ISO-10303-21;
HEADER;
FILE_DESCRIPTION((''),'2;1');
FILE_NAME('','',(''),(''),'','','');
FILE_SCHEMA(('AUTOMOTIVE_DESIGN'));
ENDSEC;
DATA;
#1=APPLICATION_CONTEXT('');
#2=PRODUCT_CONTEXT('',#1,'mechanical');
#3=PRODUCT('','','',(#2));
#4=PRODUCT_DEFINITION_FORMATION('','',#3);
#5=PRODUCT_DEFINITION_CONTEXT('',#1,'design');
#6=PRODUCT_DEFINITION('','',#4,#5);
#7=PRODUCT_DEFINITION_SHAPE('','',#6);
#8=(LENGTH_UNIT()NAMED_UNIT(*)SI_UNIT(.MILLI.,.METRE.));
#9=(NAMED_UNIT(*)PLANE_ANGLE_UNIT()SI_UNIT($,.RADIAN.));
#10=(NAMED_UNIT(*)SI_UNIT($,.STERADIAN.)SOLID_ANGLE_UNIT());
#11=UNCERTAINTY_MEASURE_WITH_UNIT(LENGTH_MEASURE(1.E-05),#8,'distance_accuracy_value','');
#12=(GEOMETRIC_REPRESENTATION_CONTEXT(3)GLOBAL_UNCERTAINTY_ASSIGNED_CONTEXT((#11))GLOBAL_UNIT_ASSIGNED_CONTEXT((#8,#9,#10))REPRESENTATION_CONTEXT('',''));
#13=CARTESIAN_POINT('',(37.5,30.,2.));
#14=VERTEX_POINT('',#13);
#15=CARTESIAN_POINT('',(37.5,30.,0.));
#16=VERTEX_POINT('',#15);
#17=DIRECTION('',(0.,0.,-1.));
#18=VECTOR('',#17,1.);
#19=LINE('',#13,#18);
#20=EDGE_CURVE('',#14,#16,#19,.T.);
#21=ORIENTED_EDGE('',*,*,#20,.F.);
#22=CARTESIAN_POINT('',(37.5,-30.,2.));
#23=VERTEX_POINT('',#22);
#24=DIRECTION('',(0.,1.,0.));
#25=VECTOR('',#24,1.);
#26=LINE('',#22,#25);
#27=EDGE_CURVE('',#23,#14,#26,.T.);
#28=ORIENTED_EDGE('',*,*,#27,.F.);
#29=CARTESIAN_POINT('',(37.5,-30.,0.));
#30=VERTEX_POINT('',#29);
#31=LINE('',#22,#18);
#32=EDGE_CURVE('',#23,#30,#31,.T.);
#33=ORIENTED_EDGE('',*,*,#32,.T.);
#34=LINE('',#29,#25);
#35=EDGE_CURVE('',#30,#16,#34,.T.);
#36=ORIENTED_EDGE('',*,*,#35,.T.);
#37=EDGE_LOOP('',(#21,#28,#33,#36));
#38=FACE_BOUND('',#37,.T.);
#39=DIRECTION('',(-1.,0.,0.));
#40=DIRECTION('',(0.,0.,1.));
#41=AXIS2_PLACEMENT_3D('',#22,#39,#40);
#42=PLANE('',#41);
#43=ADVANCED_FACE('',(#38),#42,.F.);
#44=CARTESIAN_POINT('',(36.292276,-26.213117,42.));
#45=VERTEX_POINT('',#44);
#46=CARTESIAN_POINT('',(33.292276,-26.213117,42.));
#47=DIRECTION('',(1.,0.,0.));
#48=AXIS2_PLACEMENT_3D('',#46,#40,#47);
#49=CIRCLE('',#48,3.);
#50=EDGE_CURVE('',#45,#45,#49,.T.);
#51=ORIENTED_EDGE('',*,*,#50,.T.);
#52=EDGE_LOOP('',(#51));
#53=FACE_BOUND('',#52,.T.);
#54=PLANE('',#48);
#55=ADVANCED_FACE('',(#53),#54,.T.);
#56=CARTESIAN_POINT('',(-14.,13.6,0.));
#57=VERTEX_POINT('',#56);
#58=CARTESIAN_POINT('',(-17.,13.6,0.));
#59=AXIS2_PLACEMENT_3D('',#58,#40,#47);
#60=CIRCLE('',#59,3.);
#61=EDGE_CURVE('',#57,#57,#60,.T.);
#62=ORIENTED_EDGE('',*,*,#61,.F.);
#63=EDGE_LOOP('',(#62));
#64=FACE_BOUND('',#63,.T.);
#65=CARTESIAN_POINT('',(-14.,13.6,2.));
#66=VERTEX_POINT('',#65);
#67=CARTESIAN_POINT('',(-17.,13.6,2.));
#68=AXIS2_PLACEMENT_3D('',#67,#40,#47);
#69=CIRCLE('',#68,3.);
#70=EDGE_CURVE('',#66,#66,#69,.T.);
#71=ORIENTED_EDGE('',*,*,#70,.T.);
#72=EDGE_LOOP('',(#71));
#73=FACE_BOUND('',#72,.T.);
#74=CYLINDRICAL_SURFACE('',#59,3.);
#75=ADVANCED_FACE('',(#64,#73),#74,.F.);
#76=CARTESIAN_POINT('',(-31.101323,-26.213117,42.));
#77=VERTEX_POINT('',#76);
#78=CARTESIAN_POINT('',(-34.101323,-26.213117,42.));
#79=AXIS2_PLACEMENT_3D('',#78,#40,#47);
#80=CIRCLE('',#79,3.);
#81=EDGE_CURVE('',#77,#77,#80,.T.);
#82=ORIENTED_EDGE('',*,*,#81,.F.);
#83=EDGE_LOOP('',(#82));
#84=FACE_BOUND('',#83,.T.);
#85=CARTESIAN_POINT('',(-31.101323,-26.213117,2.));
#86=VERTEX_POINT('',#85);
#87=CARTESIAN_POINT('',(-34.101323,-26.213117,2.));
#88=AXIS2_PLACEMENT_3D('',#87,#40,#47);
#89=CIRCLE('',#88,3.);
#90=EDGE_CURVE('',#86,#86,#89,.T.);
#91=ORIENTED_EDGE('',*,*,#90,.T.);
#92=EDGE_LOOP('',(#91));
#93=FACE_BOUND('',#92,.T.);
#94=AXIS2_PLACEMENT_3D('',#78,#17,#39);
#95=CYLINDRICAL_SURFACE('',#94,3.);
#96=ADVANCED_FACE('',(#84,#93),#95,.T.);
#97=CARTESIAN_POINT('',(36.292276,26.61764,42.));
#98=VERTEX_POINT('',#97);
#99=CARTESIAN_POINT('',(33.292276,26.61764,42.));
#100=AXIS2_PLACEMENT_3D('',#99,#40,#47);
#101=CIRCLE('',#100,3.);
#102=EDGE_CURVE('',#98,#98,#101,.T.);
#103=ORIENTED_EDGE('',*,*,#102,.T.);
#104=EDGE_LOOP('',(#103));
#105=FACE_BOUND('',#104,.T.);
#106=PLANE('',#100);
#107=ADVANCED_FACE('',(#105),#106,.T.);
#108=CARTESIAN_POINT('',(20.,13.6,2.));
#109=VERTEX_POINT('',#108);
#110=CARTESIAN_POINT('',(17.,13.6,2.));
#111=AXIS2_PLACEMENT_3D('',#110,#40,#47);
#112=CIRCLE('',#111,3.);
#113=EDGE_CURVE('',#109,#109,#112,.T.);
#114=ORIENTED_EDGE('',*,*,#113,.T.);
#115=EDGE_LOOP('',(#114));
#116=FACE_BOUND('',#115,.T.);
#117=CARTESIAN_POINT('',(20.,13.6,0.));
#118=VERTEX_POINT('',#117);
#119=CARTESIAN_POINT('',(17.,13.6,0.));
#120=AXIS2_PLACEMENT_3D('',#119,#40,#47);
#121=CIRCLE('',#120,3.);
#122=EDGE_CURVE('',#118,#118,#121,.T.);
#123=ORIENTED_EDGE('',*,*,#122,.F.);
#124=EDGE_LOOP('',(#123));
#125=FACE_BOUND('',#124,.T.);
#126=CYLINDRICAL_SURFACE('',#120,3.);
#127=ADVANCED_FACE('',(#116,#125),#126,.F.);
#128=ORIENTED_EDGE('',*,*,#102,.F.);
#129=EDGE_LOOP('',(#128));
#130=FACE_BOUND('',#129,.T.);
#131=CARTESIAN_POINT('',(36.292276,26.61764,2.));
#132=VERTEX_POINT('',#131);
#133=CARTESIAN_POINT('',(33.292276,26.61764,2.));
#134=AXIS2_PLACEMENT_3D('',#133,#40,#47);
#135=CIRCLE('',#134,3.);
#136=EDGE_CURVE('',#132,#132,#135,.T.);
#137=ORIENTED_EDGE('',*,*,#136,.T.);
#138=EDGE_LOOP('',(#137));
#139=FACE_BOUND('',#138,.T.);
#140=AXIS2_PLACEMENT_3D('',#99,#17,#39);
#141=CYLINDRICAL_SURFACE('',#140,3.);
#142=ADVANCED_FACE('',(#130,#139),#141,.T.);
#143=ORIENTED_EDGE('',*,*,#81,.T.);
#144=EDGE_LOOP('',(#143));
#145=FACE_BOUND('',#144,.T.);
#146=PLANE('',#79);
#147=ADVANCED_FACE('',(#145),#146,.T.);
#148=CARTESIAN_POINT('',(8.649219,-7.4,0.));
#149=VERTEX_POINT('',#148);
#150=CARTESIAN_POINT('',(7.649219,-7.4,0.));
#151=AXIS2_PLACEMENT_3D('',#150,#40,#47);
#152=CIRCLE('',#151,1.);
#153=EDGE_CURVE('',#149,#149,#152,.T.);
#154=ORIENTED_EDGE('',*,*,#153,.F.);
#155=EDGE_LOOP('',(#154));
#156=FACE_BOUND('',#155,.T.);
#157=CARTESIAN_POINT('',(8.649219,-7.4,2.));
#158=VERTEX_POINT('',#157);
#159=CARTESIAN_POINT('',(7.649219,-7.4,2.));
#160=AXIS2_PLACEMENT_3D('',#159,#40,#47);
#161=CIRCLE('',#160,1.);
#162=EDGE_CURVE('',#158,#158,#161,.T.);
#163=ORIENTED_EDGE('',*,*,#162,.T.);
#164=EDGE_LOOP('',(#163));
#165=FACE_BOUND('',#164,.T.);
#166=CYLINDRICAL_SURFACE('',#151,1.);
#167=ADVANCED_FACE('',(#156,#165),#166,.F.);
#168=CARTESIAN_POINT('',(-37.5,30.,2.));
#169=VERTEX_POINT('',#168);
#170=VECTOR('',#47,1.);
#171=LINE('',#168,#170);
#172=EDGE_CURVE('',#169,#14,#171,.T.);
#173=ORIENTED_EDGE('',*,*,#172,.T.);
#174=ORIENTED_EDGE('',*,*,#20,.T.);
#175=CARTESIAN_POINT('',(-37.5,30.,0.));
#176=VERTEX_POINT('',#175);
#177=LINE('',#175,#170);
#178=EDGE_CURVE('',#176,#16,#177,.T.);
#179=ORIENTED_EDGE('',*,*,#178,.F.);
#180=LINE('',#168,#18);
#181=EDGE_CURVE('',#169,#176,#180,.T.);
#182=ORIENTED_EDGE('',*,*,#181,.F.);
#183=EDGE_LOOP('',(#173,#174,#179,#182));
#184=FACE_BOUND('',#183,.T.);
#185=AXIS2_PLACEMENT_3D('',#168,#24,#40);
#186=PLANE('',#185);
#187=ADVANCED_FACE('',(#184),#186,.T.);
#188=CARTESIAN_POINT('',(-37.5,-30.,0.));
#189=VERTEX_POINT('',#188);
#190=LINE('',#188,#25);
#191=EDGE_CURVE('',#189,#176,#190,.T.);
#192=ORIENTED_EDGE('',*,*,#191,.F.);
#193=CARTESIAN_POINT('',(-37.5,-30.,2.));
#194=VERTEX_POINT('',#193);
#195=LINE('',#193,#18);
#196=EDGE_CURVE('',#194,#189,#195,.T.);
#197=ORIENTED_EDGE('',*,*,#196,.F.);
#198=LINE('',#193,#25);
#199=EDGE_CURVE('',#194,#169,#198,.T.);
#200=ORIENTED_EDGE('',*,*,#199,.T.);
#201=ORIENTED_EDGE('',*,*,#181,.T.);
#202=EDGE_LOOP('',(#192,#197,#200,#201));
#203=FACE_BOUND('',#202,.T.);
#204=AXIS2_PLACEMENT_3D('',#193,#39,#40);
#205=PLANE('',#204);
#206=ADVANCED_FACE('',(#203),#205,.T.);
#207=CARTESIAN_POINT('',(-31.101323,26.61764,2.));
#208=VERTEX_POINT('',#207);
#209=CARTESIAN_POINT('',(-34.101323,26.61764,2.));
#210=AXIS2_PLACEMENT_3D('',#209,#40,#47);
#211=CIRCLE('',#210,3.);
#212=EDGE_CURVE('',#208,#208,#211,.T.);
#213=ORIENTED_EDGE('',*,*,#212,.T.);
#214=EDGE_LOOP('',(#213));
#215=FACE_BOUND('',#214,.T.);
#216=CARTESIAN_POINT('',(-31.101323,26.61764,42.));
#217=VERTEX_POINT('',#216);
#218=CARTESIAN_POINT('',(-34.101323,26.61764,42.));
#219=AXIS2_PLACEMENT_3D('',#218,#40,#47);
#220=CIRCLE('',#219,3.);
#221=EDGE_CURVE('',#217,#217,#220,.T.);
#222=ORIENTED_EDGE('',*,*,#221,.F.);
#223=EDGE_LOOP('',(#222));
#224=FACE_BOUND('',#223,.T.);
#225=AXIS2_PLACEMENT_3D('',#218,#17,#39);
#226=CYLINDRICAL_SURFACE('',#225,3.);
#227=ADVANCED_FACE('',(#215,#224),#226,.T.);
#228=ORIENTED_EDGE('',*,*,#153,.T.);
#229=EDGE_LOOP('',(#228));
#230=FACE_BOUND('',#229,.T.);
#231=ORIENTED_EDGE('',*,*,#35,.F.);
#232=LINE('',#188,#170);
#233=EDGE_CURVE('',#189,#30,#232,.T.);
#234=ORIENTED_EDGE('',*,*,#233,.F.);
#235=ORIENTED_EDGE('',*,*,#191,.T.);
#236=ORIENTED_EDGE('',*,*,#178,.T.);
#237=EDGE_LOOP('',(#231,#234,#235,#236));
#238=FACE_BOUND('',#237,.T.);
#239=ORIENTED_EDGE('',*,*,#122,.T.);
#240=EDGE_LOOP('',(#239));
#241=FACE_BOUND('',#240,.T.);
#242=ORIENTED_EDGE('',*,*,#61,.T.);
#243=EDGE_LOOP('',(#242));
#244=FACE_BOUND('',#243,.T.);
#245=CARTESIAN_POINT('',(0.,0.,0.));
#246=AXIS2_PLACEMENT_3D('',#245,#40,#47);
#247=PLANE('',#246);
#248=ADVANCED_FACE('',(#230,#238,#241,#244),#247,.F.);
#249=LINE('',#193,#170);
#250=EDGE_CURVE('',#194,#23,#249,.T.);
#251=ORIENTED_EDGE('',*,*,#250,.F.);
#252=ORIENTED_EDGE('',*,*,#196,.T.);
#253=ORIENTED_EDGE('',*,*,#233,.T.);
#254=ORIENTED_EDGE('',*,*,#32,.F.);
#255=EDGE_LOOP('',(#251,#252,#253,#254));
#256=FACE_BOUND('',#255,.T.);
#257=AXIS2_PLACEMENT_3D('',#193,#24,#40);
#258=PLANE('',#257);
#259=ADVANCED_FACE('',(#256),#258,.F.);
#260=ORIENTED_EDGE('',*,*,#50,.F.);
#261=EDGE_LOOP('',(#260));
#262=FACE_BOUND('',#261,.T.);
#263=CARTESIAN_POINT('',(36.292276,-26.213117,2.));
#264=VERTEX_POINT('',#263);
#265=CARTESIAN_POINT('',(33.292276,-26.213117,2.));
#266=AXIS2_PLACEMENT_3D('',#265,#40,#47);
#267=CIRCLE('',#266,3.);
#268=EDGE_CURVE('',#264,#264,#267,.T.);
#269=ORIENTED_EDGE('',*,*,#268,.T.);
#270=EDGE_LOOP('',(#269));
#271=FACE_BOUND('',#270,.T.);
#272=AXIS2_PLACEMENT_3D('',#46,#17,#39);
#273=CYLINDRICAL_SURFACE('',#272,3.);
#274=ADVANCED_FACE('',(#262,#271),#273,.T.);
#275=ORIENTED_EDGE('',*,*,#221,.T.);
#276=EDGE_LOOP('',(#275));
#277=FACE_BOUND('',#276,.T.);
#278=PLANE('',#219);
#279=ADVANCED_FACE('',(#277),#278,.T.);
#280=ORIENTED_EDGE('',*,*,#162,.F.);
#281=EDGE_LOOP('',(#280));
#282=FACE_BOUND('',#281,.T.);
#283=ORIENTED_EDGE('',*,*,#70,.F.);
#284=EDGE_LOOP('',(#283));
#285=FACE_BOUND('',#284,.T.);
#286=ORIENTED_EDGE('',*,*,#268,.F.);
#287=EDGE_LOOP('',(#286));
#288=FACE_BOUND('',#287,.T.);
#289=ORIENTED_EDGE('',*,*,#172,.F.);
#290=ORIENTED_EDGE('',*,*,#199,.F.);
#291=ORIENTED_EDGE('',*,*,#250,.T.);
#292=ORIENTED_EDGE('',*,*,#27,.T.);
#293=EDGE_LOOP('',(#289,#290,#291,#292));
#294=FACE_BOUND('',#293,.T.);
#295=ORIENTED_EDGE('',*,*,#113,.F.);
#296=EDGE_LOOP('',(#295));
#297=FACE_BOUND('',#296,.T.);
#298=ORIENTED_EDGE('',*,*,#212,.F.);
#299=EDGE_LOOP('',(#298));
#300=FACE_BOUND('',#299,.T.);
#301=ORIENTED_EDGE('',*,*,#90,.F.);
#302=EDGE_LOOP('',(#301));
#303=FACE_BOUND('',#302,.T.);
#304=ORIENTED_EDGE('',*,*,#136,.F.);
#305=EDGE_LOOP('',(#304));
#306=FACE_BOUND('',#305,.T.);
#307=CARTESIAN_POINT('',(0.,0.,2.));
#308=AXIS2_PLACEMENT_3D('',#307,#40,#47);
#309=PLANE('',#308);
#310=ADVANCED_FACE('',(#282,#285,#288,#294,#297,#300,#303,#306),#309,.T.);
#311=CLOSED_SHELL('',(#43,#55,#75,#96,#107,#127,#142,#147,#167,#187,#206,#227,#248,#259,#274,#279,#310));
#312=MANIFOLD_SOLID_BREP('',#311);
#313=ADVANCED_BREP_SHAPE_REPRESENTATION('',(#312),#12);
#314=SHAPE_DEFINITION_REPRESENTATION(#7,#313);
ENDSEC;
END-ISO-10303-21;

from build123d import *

# Parameters (mm, degrees)
ESQUISSE3_W             = 75
ESQUISSE3_H             = 60
BOSS_EXTRU_4_DEPTH      = 2
ESQUISSE7_R             = 3
ESQUISSE7_R_2           = 1
ENL_V_MAT_EXTRU_1_DEPTH = 2
ESQUISSE9_R             = 3
BOSS_EXTRU_5_DEPTH      = 40


with BuildPart() as part:
    # Esquisse3 → Boss.-Extru.4 (new body)
    with BuildSketch(Plane.XY):
        Rectangle(ESQUISSE3_W, ESQUISSE3_H)
    extrude(amount=BOSS_EXTRU_4_DEPTH)

    # Esquisse7 → Enlèv. mat.-Extru.1 (cut)
    with BuildSketch(Plane.XY.offset(2)):
        with Locations((-17, 13.6)):
            Circle(ESQUISSE7_R)
        with Locations((17, 13.6)):
            Circle(ESQUISSE7_R)
        with Locations((7.649218941, -7.4)):
            Circle(ESQUISSE7_R_2)
    extrude(amount=-ENL_V_MAT_EXTRU_1_DEPTH, mode=Mode.SUBTRACT)

    # Esquisse9 → Boss.-Extru.5 (add)
    with BuildSketch(Plane.XY.offset(2)):
        with Locations((-34.10132307, 26.617640071)):
            Circle(ESQUISSE9_R)
        with Locations((33.292276259, 26.617640071)):
            Circle(ESQUISSE9_R)
        with Locations((33.292276259, -26.213116666)):
            Circle(ESQUISSE9_R)
        with Locations((-34.10132307, -26.213116666)):
            Circle(ESQUISSE9_R)
    extrude(amount=BOSS_EXTRU_5_DEPTH)


solid = part.part
